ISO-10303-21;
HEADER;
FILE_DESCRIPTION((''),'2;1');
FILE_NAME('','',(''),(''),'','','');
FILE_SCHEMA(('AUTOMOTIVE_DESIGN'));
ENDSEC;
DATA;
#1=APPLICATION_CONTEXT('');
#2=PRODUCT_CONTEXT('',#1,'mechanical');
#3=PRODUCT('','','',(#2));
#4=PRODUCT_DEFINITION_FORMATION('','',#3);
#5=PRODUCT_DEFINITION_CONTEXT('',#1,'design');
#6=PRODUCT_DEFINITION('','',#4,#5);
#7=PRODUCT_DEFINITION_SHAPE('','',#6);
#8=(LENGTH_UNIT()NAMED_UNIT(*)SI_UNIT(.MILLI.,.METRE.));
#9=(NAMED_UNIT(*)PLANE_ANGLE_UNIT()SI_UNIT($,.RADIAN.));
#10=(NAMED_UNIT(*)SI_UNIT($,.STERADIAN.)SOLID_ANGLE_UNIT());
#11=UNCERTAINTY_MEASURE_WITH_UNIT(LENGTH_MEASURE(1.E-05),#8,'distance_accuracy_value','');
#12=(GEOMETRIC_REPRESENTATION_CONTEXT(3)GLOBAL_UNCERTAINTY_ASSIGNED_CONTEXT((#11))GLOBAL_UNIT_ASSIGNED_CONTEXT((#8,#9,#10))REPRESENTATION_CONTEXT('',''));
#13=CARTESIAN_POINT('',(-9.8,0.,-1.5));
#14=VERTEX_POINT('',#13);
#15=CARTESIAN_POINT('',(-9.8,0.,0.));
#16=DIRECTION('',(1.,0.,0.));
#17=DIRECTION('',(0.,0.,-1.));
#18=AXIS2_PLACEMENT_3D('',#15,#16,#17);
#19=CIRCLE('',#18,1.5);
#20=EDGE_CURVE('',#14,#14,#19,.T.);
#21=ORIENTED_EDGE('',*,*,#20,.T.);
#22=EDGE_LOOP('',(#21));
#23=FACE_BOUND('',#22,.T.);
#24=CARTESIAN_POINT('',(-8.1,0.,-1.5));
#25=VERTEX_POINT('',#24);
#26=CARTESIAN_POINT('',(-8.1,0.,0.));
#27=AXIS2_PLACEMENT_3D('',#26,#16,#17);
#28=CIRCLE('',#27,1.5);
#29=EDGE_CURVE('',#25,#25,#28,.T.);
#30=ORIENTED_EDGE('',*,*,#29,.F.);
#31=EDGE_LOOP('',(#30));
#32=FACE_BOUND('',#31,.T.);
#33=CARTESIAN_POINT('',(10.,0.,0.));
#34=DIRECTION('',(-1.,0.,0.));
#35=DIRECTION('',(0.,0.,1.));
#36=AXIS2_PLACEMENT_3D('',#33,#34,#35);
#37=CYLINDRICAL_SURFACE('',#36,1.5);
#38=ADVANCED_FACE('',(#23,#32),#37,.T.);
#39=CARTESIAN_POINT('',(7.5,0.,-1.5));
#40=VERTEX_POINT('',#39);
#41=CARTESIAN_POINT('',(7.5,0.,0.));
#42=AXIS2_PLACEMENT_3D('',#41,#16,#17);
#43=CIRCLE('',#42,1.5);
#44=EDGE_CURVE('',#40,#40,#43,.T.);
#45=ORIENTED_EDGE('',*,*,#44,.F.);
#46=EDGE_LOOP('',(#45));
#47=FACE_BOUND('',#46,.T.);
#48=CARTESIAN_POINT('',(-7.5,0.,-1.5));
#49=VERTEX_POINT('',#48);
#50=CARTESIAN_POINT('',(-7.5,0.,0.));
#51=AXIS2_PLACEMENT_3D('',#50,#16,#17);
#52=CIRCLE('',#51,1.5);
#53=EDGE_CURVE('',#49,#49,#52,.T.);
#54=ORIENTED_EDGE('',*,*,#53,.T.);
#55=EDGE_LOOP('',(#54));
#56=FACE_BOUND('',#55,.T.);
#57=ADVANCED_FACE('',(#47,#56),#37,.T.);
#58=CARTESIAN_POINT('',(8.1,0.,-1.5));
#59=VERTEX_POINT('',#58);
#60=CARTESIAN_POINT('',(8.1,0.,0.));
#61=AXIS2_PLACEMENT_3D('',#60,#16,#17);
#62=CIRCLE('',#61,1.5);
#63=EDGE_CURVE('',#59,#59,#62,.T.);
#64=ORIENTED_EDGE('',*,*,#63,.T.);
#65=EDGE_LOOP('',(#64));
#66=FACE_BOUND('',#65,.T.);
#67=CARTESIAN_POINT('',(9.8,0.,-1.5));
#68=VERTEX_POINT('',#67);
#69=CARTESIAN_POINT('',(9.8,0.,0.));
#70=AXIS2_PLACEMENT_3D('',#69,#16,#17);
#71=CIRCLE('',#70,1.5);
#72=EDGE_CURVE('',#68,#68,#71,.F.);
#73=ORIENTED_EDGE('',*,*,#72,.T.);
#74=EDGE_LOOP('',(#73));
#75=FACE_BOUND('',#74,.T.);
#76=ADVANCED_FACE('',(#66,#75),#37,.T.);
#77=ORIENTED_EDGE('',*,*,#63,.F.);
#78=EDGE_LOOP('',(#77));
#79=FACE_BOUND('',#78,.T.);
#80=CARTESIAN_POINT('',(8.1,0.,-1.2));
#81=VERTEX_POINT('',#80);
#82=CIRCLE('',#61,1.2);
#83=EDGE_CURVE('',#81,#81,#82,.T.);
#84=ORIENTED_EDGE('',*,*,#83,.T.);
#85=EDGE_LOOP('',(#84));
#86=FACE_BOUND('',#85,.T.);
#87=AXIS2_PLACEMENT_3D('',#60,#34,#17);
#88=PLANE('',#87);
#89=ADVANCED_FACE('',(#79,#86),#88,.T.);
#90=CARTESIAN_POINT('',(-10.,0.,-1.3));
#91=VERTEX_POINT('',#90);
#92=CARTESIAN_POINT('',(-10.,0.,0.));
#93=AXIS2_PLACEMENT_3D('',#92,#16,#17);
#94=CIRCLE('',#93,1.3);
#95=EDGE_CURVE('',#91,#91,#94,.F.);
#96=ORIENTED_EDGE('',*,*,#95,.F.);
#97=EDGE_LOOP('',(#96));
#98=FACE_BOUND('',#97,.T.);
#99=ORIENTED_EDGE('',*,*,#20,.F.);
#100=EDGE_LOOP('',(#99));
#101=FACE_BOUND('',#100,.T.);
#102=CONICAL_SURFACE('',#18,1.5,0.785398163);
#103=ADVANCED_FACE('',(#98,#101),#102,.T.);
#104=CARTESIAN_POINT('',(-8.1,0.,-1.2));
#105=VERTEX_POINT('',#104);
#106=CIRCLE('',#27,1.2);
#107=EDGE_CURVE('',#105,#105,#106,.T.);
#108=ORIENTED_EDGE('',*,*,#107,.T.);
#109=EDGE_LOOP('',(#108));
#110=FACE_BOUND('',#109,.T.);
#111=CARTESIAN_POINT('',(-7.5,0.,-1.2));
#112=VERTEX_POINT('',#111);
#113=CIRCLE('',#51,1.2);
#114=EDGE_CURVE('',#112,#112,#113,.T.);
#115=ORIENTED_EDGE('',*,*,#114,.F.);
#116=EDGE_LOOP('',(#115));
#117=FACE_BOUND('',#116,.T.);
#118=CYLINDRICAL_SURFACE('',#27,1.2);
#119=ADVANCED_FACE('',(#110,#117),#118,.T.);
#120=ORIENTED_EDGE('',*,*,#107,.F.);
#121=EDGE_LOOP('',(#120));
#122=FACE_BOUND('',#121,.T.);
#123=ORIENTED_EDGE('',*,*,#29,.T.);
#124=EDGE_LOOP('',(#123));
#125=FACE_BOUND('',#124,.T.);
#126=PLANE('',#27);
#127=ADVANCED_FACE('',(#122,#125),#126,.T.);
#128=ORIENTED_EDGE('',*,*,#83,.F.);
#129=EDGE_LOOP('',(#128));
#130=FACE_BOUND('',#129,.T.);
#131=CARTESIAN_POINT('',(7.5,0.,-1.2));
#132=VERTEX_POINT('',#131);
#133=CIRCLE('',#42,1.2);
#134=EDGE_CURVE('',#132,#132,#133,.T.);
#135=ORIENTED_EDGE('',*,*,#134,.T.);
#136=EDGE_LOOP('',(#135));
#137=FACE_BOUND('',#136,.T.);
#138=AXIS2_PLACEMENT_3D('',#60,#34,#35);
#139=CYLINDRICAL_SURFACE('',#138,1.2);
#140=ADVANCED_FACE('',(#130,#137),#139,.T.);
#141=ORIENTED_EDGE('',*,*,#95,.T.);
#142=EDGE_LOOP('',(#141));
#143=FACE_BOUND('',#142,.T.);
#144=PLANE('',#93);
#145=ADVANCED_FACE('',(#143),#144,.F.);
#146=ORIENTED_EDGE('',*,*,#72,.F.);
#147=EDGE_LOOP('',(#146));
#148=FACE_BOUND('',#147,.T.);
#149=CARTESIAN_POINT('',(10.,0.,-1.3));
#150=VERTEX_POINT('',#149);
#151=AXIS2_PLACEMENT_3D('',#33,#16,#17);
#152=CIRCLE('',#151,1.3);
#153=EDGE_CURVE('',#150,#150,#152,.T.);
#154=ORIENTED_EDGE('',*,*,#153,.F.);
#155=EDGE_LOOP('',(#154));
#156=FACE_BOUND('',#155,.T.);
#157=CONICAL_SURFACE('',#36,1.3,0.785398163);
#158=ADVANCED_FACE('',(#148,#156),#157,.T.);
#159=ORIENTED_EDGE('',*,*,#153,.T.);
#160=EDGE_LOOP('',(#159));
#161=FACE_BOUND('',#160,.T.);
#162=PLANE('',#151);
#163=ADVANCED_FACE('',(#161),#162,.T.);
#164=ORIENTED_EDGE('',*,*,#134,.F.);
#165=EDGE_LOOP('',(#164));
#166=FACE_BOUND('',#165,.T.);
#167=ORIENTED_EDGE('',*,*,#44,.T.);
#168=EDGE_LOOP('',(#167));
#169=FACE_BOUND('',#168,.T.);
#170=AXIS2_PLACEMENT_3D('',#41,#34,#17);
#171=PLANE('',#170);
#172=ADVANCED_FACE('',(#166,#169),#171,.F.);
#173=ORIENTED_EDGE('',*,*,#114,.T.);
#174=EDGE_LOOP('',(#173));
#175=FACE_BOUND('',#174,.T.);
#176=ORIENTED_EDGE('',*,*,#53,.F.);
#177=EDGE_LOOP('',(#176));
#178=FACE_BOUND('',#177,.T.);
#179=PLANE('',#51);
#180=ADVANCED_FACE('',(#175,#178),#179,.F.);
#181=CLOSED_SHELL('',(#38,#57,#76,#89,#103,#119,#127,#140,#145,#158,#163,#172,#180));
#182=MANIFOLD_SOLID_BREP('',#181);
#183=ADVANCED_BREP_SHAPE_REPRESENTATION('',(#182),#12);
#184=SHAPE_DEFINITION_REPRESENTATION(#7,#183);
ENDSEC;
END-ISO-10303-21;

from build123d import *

# Parameters (mm, degrees)
SKETCH_2_R          = 1.5
EXTRUDE_1_DEPTH     = 10
CUT_EXTRUDE_START   = -7.5
SKETCH_3_R          = 1.5
SKETCH_3_R_2        = 1.2
CUT_EXTRUDE_1_DEPTH = 0.6
CHAMFER_1_SIZE      = 0.2


with BuildPart() as part:
    # 草图2 → 凸台-拉伸1 (new body, symmetric)
    with BuildSketch(Plane(origin=(0, 0, 0), x_dir=(0, 0, -1), z_dir=(1, 0, 0))):
        Circle(SKETCH_2_R)
    extrude(amount=EXTRUDE_1_DEPTH, both=True)

    # 草图3 → 切除-拉伸1 (cut)
    with BuildSketch(Plane(origin=(0, 0, 0), x_dir=(0, 0, -1), z_dir=(1, 0, 0)).offset(CUT_EXTRUDE_START)):
        Circle(SKETCH_3_R)
        Circle(SKETCH_3_R_2, mode=Mode.SUBTRACT)
    cut_extrude_1 = extrude(amount=-CUT_EXTRUDE_1_DEPTH, mode=Mode.SUBTRACT)

    # 镜向1: 切除-拉伸1 across plane
    add(cut_extrude_1.mirror(Plane(origin=(0, 0, 0), x_dir=(0, 0, 1), z_dir=(1, 0, 0))), mode=Mode.SUBTRACT)

    # 倒角1
    chamfer_1_edges = [part.edges().sort_by_distance(p)[0] for p in [
        (-10, 0, 1.5),
        (10, 0, 1.5),
    ]]
    chamfer(chamfer_1_edges, length=CHAMFER_1_SIZE)


solid = part.part
